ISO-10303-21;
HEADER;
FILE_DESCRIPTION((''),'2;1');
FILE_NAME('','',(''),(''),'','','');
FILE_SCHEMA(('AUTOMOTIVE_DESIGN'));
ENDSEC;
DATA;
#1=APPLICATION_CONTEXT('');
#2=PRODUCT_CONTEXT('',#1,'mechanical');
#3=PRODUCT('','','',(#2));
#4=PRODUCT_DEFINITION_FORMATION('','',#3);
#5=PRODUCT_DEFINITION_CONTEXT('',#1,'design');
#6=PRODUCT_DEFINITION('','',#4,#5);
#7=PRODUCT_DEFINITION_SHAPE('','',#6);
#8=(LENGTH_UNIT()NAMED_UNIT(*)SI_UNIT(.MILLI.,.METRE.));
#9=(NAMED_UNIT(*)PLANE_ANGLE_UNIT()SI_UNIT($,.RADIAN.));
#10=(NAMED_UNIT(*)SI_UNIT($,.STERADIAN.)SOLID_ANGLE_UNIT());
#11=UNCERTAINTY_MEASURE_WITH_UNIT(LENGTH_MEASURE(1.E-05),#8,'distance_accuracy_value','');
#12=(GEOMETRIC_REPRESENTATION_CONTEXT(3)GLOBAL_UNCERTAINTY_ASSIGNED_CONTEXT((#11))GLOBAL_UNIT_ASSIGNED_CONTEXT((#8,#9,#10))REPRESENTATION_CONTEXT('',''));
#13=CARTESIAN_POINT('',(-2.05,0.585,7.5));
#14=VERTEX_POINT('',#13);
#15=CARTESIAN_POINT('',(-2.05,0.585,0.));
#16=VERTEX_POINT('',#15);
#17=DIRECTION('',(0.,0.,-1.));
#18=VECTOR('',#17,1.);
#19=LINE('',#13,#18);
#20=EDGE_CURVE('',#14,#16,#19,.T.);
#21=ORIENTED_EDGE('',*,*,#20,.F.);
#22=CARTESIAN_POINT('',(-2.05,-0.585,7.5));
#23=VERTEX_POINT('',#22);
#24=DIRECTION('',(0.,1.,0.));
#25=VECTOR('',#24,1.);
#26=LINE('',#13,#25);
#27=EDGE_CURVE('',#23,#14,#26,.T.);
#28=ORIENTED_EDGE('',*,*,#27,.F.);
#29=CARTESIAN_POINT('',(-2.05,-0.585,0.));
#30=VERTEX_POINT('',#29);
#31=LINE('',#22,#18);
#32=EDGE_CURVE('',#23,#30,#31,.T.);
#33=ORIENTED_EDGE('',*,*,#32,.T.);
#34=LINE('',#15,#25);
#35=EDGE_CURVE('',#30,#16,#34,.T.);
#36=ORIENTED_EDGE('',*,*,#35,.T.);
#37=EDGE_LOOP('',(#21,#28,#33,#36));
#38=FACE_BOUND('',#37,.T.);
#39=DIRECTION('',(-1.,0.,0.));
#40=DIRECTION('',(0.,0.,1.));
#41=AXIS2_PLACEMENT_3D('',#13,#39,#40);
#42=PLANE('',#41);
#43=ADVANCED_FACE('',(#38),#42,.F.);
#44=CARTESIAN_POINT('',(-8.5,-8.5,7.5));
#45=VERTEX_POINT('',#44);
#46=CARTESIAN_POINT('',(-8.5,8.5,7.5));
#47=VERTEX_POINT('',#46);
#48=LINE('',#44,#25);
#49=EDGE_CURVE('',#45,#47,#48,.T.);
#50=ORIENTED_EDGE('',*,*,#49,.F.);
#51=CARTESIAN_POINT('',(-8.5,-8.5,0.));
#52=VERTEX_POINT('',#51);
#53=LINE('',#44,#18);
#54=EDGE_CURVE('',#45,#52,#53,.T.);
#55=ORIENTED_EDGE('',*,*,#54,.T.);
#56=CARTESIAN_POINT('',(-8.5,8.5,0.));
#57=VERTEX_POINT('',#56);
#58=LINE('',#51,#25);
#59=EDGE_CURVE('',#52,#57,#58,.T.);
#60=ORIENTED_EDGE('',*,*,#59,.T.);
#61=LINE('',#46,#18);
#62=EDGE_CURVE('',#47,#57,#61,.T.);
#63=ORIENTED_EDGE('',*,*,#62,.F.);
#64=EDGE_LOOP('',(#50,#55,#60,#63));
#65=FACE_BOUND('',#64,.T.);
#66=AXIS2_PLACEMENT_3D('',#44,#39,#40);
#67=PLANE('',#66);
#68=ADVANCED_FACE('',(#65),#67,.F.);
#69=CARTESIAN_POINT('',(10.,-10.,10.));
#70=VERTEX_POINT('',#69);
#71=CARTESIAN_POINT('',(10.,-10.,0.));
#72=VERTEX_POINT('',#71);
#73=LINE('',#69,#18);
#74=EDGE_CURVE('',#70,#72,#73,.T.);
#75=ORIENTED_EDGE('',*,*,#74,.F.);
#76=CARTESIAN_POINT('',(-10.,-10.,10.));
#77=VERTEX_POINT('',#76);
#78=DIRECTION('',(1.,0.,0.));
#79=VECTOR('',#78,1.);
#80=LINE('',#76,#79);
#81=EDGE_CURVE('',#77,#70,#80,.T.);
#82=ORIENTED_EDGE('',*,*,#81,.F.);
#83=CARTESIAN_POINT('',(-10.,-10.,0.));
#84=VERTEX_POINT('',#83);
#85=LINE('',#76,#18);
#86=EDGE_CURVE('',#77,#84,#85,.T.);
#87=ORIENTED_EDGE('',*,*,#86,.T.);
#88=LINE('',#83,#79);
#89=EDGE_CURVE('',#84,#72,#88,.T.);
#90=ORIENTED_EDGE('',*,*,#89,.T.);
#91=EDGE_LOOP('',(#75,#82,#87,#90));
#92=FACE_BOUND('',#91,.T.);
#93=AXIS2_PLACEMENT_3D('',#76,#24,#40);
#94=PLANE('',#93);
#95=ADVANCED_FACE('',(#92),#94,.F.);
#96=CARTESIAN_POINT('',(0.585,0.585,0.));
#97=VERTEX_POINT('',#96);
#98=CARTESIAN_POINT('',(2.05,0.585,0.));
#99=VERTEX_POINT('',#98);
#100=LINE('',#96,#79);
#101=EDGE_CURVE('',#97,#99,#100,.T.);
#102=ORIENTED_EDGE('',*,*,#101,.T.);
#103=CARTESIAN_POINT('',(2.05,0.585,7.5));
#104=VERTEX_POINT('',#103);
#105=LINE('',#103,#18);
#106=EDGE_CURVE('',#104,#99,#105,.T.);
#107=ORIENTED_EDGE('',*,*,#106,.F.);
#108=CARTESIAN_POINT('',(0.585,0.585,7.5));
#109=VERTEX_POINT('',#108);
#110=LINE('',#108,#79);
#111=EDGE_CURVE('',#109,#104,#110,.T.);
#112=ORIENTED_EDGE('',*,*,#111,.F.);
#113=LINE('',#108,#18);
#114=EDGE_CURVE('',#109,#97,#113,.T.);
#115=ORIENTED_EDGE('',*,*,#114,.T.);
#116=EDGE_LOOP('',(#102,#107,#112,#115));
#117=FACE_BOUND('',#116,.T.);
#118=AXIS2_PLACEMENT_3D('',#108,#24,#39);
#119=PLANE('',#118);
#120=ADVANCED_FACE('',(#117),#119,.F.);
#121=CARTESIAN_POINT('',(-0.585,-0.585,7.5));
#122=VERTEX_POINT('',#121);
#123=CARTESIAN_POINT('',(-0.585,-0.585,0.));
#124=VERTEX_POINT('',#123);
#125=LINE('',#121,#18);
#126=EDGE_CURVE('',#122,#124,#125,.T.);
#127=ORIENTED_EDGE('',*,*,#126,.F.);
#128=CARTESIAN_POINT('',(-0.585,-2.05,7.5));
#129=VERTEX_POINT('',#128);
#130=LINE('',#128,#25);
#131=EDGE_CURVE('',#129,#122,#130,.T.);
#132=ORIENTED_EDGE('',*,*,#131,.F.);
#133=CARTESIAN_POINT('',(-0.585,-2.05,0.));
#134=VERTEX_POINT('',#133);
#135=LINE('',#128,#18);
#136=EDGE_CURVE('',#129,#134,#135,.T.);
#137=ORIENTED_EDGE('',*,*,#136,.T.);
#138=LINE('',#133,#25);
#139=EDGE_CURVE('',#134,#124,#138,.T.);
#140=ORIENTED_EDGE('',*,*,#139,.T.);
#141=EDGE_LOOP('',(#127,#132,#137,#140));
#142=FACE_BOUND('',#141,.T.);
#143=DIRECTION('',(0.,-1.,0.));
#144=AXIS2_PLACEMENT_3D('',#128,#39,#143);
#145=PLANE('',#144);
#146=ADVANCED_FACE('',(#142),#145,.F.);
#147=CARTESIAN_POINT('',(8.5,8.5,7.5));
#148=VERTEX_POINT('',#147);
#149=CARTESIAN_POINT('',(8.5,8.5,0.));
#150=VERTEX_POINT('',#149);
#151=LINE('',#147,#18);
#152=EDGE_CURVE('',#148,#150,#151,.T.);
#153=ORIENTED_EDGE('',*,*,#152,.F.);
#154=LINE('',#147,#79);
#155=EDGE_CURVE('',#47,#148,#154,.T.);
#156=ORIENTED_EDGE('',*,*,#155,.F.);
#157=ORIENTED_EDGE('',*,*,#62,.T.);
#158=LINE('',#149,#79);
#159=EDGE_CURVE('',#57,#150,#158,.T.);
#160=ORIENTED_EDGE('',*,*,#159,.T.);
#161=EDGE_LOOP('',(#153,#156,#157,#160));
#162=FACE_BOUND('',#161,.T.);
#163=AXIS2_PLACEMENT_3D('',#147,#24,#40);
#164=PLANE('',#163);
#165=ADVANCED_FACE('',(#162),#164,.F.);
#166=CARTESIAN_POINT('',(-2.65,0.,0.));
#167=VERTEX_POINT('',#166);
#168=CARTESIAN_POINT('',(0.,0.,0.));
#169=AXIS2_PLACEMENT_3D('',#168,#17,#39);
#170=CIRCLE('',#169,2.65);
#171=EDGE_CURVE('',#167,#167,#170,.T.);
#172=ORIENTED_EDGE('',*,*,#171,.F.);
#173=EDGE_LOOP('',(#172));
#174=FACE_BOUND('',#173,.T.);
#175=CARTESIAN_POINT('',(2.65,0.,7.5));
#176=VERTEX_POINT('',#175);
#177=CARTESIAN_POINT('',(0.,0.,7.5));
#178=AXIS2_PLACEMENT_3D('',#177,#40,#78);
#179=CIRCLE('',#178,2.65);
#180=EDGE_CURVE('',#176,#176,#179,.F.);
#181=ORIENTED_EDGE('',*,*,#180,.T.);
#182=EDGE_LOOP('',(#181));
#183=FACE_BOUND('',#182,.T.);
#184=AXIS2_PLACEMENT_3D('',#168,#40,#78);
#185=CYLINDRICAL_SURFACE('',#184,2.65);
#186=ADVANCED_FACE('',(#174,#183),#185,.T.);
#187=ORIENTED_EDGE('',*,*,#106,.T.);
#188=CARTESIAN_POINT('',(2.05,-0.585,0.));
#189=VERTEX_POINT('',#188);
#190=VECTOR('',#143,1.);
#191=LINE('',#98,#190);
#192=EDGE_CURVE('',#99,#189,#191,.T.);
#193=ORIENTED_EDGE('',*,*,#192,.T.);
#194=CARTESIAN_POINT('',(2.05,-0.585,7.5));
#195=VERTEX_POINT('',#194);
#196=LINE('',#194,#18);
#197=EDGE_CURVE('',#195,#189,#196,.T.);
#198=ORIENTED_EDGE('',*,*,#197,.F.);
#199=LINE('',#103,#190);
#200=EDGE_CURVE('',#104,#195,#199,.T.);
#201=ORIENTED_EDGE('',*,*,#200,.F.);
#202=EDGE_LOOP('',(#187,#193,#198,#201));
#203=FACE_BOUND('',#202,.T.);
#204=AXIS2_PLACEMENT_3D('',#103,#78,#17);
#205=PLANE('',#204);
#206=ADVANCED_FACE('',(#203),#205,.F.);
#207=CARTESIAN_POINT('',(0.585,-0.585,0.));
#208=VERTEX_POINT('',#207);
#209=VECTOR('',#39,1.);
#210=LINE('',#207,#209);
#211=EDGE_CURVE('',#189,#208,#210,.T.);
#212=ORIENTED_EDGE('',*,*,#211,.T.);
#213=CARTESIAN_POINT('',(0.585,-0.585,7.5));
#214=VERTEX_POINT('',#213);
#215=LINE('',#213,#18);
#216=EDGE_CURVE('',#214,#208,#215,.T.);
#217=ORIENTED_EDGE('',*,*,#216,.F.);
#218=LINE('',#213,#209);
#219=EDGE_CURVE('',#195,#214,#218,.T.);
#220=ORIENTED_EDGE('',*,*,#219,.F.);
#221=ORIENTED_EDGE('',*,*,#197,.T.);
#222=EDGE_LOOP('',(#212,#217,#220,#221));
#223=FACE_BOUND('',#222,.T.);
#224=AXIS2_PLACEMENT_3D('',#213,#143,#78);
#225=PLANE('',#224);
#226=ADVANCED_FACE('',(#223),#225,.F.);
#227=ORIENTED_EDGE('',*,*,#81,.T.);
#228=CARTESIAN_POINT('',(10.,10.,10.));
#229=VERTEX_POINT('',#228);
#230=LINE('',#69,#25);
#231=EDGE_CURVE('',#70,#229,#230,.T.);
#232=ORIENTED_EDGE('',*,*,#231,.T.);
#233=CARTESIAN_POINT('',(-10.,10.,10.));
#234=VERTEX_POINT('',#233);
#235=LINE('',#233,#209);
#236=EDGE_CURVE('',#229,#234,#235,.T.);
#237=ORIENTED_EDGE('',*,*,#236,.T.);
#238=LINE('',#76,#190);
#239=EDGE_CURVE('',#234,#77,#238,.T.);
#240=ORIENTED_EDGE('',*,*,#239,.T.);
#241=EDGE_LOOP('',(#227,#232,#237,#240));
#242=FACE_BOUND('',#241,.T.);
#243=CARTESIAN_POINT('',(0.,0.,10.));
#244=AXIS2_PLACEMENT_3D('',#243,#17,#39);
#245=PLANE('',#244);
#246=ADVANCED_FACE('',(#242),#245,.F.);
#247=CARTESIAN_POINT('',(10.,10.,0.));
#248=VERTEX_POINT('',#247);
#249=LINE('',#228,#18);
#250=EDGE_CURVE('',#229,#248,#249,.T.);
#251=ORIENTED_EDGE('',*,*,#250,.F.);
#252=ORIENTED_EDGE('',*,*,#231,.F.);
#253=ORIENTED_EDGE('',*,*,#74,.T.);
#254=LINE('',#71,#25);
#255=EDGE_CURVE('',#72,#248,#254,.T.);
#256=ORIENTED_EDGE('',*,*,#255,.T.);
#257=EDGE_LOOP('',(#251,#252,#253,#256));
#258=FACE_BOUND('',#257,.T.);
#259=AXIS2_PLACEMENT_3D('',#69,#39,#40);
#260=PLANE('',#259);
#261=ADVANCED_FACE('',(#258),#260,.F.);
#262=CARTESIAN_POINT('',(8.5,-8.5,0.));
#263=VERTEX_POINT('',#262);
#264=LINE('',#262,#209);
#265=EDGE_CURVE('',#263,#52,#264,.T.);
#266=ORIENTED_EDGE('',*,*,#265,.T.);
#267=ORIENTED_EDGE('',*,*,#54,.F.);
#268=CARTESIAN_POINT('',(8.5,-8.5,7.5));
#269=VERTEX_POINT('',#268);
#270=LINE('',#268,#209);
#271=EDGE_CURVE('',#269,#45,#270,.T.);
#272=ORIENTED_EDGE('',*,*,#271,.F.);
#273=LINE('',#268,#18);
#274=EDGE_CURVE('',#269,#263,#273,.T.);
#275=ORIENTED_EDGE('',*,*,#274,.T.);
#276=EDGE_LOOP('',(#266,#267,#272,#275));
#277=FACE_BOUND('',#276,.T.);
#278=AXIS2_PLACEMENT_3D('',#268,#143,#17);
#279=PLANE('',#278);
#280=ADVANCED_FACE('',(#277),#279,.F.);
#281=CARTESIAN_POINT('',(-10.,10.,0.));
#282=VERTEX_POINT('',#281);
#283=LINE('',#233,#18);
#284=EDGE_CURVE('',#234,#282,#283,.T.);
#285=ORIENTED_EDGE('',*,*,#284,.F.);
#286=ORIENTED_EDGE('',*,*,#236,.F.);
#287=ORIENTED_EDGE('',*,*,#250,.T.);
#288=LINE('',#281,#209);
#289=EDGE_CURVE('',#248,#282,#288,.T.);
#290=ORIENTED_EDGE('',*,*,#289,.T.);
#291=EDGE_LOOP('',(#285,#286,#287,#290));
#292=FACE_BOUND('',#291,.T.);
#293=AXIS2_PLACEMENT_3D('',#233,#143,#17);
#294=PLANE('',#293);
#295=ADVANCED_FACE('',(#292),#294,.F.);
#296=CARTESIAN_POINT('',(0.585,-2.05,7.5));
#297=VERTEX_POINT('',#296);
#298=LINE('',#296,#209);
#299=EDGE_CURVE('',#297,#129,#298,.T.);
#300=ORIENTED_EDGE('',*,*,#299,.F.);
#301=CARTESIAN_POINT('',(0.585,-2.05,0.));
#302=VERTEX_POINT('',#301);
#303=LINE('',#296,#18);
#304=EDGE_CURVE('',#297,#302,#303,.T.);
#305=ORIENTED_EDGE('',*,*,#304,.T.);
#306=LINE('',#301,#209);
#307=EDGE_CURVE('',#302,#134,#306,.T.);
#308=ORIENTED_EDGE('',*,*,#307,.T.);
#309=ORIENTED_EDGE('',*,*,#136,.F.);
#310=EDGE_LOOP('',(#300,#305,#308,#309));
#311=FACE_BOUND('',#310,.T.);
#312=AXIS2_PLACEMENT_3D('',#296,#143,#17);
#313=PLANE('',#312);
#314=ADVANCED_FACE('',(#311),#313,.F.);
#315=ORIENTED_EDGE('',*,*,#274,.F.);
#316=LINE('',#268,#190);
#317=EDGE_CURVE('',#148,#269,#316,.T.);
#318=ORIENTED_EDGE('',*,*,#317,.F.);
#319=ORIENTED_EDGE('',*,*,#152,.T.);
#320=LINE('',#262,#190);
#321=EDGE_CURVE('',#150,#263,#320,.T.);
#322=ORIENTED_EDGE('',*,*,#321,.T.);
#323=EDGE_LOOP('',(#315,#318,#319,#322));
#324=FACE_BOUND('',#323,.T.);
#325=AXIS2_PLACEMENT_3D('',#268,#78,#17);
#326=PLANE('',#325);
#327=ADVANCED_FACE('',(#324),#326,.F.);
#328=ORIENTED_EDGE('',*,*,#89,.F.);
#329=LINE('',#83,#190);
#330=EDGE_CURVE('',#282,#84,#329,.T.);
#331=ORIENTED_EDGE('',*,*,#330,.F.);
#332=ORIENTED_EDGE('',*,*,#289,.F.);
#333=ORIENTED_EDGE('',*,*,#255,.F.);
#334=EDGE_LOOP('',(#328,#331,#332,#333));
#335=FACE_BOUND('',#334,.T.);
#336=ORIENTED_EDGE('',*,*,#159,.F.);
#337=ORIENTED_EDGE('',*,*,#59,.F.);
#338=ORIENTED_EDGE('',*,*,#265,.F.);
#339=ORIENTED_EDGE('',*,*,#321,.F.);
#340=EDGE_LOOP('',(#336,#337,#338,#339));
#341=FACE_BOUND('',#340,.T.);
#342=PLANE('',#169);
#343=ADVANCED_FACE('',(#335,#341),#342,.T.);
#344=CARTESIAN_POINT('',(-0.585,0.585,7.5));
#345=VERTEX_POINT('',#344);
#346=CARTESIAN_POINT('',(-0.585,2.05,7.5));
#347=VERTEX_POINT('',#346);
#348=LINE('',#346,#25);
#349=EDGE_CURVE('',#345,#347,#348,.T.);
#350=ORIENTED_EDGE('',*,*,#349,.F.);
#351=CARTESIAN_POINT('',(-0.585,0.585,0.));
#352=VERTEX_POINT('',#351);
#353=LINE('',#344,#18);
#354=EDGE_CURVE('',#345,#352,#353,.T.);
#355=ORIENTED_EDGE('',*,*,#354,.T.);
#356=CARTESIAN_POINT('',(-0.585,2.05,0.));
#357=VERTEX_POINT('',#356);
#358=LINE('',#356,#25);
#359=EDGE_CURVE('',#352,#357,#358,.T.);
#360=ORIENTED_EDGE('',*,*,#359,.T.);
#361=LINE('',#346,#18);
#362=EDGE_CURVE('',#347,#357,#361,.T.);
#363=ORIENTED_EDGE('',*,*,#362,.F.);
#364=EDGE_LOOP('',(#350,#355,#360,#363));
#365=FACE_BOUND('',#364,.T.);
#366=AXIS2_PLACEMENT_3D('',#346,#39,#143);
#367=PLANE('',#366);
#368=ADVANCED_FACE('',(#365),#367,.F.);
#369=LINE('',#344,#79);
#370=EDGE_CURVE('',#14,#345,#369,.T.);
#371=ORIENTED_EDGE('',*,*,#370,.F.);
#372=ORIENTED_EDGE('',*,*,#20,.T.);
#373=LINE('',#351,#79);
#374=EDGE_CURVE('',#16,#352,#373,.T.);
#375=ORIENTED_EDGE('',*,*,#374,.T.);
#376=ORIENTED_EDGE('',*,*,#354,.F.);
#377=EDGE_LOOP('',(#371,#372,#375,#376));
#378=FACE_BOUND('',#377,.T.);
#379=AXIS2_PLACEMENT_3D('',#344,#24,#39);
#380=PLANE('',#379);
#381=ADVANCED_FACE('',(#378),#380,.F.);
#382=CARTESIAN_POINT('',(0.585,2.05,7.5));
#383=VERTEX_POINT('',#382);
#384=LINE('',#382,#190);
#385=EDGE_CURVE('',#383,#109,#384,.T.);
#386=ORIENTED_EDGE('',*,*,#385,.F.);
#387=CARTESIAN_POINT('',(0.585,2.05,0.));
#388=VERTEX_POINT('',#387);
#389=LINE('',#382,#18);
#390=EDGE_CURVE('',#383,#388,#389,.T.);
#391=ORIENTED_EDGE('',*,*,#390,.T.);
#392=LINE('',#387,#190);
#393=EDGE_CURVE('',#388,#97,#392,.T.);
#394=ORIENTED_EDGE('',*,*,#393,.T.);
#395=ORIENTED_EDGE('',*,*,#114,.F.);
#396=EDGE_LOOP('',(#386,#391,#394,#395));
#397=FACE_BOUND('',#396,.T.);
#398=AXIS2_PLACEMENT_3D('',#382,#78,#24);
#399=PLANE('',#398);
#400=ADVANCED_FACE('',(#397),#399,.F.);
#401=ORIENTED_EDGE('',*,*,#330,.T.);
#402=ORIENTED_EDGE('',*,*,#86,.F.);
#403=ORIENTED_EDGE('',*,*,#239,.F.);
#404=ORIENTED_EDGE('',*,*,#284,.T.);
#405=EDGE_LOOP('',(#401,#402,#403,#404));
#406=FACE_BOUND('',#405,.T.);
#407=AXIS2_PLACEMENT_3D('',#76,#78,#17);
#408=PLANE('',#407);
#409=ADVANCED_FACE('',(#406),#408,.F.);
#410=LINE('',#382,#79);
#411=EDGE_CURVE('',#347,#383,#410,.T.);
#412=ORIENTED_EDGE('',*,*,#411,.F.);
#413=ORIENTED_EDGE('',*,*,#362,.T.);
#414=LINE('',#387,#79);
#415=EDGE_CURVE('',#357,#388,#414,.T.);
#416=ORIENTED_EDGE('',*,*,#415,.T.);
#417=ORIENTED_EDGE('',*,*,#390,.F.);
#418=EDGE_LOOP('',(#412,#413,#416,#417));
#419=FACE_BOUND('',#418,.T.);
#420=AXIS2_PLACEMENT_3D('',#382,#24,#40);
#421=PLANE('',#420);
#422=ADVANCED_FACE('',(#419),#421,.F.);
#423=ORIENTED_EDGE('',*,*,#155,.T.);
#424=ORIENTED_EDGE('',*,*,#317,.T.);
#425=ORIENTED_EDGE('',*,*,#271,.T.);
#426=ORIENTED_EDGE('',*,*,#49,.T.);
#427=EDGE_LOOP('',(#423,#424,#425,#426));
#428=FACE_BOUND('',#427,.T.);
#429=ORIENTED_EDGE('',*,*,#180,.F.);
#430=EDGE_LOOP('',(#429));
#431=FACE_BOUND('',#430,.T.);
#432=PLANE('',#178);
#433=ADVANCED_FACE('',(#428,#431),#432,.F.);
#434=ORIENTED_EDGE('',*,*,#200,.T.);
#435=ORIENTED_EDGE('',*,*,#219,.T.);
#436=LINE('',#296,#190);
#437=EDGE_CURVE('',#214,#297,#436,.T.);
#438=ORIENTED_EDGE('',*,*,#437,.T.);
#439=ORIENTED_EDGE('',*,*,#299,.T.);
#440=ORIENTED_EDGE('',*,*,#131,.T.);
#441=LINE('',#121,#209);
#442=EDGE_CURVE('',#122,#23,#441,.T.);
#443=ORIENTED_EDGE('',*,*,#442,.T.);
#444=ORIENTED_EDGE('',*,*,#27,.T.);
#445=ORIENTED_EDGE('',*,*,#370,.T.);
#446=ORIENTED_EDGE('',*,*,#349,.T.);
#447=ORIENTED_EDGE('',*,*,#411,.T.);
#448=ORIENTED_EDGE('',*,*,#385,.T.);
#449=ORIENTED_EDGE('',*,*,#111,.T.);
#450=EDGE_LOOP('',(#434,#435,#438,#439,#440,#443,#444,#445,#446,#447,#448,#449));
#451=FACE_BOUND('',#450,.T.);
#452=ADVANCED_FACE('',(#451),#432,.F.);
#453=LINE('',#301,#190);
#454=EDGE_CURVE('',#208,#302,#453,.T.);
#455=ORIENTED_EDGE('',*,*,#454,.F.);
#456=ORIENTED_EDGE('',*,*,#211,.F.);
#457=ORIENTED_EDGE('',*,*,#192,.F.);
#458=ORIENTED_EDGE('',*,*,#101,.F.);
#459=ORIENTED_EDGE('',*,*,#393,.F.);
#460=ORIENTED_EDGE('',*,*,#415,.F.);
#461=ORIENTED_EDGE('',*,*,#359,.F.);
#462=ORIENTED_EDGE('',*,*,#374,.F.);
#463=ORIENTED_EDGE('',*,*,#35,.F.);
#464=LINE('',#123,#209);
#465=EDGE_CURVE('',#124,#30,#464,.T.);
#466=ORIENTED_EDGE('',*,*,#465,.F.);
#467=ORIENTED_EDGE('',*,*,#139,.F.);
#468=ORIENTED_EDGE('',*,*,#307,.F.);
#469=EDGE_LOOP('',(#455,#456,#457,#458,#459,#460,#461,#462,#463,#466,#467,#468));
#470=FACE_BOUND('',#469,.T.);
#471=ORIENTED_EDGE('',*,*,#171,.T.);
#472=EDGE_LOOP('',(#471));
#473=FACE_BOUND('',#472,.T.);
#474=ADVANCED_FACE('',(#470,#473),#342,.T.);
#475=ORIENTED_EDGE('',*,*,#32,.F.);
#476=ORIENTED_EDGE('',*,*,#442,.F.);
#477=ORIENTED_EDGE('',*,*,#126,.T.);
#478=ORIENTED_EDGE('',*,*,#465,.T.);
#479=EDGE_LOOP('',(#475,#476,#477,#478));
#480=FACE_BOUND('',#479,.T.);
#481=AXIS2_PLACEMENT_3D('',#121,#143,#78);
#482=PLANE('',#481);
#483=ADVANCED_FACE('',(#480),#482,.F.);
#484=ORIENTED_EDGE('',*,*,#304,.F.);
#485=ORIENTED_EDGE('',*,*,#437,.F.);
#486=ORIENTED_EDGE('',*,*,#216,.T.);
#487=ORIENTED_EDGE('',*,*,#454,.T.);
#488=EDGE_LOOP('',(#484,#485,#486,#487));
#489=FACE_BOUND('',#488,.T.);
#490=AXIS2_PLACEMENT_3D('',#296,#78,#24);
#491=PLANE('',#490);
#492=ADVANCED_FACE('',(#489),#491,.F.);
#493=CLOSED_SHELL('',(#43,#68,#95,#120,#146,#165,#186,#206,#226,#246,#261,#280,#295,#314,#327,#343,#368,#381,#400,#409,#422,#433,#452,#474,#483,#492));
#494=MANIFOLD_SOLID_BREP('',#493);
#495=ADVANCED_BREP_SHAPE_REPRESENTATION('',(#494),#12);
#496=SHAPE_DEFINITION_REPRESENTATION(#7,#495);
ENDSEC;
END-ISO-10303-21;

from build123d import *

# Parameters (mm, degrees)
SKICA1_W                 = 20
SKICA1_H                 = 20
P_IDAT_VYSUNUT_M1_DEPTH  = 10
SKICA2_W                 = 17
SKICA2_H                 = 17
ODEBRAT_VYSUNUT_M1_DEPTH = 7.5
SKICA3_R                 = 2.65
P_IDAT_VYSUNUT_M2_DEPTH  = 7.5
ODEBRAT_VYSUNUT_M2_DEPTH = 7.5


with BuildPart() as part:
    # Skica1 → Přidat vysunutím1 (new body)
    with BuildSketch(Plane.XY):
        Rectangle(SKICA1_W, SKICA1_H)
    extrude(amount=P_IDAT_VYSUNUT_M1_DEPTH)

    # Skica2 → Odebrat vysunutím1 (cut)
    with BuildSketch(Plane(origin=(0, 0, 0), x_dir=(-1, 0, 0), z_dir=(0, 0, -1))):
        Rectangle(SKICA2_W, SKICA2_H)
    extrude(amount=-ODEBRAT_VYSUNUT_M1_DEPTH, mode=Mode.SUBTRACT)

    # Skica3 → Přidat vysunutím2 (add)
    with BuildSketch(Plane(origin=(0, 0, 7.5), x_dir=(-1, 0, 0), z_dir=(0, 0, -1))):
        with Locations(Location((0, 0, 0), (0, 0, 180))):
            Circle(SKICA3_R)
    extrude(amount=P_IDAT_VYSUNUT_M2_DEPTH)

    # Skica4 → Odebrat vysunutím2 (cut)
    with BuildSketch(Plane(origin=(0, 0, 0), x_dir=(-1, 0, 0), z_dir=(0, 0, -1))):
        Polygon((-0.585, 2.05), (0.585, 2.05), (0.585, 0.585), (2.05, 0.585), (2.05, -0.585), (0.585, -0.585), (0.585, -2.05), (-0.585, -2.05), (-0.585, -0.585), (-2.05, -0.585), (-2.05, 0.585), (-0.585, 0.585), align=None)
    extrude(amount=-ODEBRAT_VYSUNUT_M2_DEPTH, mode=Mode.SUBTRACT)


solid = part.part
